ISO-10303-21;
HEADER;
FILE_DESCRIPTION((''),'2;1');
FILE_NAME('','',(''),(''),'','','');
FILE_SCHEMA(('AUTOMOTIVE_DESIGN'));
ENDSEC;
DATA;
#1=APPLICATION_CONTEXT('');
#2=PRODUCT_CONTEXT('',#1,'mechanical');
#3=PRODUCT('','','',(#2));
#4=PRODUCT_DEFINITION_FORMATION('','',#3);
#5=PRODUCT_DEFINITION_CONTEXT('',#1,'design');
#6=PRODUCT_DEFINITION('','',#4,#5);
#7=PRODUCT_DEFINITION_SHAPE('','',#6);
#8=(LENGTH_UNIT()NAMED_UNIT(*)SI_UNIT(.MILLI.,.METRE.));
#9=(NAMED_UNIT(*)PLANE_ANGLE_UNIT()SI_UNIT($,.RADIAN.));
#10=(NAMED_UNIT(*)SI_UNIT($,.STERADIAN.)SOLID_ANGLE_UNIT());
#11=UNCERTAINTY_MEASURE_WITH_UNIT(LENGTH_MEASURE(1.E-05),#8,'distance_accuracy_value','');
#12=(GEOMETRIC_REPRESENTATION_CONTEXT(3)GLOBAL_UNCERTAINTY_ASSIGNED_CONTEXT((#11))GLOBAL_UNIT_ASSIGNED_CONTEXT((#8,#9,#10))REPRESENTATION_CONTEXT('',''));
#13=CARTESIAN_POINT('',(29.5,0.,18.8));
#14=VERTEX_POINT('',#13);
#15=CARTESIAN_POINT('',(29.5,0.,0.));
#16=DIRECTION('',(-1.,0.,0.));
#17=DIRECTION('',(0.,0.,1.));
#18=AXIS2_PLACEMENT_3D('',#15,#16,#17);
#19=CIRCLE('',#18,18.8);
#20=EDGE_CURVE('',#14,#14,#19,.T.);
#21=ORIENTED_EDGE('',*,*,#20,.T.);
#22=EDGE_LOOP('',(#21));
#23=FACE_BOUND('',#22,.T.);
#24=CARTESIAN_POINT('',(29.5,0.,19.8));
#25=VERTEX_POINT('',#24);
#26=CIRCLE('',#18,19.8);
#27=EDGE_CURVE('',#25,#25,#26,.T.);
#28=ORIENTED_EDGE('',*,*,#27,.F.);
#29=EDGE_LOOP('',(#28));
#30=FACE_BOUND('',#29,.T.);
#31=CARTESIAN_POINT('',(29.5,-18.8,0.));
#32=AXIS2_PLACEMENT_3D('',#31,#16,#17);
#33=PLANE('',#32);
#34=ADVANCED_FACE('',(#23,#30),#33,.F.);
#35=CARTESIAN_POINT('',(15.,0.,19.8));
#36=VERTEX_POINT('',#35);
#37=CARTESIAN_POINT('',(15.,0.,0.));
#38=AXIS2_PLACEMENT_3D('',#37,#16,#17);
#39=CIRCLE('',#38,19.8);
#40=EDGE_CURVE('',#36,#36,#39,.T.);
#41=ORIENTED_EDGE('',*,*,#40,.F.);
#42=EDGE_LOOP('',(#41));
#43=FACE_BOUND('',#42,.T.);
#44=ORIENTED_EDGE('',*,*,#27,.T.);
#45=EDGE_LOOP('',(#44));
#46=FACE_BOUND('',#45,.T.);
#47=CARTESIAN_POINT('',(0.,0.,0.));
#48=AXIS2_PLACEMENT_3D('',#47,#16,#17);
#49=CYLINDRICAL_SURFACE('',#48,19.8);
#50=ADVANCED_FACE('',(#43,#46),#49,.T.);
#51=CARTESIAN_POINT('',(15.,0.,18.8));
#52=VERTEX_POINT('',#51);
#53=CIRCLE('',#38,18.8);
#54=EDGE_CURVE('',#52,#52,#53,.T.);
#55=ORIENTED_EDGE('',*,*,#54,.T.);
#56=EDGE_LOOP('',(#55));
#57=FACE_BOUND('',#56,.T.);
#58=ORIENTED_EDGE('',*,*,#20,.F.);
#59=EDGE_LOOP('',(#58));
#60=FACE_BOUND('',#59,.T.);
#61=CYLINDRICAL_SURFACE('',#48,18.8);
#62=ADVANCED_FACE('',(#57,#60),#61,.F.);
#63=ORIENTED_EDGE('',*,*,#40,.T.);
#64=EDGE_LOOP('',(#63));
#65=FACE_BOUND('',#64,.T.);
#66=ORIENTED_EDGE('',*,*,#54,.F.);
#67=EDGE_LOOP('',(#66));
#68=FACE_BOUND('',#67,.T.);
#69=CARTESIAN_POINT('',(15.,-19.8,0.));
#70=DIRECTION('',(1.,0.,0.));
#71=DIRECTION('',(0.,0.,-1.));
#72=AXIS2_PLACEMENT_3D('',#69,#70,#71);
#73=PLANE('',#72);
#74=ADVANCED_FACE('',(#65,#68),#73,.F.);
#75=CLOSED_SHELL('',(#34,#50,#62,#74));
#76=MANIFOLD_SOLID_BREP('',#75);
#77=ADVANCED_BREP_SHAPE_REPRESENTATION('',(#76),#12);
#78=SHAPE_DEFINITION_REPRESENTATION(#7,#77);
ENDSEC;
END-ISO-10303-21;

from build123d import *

# Parameters (mm, degrees)
ESQUISSE1_W = 14.5
ESQUISSE1_H = 1


with BuildPart() as part:
    # Esquisse1 → Base-Révol.-Mince (revolve)
    with BuildSketch(Plane.XY, mode=Mode.PRIVATE) as base_r_vol_mince_sk:
        with Locations((22.25, -19.3)):
            Rectangle(ESQUISSE1_W, ESQUISSE1_H)
    revolve(base_r_vol_mince_sk.sketch.rotate(Axis((0, 0, 0), (1, 0, 0)), 270), axis=Axis((0, 0, 0), (1, 0, 0)))


solid = part.part
